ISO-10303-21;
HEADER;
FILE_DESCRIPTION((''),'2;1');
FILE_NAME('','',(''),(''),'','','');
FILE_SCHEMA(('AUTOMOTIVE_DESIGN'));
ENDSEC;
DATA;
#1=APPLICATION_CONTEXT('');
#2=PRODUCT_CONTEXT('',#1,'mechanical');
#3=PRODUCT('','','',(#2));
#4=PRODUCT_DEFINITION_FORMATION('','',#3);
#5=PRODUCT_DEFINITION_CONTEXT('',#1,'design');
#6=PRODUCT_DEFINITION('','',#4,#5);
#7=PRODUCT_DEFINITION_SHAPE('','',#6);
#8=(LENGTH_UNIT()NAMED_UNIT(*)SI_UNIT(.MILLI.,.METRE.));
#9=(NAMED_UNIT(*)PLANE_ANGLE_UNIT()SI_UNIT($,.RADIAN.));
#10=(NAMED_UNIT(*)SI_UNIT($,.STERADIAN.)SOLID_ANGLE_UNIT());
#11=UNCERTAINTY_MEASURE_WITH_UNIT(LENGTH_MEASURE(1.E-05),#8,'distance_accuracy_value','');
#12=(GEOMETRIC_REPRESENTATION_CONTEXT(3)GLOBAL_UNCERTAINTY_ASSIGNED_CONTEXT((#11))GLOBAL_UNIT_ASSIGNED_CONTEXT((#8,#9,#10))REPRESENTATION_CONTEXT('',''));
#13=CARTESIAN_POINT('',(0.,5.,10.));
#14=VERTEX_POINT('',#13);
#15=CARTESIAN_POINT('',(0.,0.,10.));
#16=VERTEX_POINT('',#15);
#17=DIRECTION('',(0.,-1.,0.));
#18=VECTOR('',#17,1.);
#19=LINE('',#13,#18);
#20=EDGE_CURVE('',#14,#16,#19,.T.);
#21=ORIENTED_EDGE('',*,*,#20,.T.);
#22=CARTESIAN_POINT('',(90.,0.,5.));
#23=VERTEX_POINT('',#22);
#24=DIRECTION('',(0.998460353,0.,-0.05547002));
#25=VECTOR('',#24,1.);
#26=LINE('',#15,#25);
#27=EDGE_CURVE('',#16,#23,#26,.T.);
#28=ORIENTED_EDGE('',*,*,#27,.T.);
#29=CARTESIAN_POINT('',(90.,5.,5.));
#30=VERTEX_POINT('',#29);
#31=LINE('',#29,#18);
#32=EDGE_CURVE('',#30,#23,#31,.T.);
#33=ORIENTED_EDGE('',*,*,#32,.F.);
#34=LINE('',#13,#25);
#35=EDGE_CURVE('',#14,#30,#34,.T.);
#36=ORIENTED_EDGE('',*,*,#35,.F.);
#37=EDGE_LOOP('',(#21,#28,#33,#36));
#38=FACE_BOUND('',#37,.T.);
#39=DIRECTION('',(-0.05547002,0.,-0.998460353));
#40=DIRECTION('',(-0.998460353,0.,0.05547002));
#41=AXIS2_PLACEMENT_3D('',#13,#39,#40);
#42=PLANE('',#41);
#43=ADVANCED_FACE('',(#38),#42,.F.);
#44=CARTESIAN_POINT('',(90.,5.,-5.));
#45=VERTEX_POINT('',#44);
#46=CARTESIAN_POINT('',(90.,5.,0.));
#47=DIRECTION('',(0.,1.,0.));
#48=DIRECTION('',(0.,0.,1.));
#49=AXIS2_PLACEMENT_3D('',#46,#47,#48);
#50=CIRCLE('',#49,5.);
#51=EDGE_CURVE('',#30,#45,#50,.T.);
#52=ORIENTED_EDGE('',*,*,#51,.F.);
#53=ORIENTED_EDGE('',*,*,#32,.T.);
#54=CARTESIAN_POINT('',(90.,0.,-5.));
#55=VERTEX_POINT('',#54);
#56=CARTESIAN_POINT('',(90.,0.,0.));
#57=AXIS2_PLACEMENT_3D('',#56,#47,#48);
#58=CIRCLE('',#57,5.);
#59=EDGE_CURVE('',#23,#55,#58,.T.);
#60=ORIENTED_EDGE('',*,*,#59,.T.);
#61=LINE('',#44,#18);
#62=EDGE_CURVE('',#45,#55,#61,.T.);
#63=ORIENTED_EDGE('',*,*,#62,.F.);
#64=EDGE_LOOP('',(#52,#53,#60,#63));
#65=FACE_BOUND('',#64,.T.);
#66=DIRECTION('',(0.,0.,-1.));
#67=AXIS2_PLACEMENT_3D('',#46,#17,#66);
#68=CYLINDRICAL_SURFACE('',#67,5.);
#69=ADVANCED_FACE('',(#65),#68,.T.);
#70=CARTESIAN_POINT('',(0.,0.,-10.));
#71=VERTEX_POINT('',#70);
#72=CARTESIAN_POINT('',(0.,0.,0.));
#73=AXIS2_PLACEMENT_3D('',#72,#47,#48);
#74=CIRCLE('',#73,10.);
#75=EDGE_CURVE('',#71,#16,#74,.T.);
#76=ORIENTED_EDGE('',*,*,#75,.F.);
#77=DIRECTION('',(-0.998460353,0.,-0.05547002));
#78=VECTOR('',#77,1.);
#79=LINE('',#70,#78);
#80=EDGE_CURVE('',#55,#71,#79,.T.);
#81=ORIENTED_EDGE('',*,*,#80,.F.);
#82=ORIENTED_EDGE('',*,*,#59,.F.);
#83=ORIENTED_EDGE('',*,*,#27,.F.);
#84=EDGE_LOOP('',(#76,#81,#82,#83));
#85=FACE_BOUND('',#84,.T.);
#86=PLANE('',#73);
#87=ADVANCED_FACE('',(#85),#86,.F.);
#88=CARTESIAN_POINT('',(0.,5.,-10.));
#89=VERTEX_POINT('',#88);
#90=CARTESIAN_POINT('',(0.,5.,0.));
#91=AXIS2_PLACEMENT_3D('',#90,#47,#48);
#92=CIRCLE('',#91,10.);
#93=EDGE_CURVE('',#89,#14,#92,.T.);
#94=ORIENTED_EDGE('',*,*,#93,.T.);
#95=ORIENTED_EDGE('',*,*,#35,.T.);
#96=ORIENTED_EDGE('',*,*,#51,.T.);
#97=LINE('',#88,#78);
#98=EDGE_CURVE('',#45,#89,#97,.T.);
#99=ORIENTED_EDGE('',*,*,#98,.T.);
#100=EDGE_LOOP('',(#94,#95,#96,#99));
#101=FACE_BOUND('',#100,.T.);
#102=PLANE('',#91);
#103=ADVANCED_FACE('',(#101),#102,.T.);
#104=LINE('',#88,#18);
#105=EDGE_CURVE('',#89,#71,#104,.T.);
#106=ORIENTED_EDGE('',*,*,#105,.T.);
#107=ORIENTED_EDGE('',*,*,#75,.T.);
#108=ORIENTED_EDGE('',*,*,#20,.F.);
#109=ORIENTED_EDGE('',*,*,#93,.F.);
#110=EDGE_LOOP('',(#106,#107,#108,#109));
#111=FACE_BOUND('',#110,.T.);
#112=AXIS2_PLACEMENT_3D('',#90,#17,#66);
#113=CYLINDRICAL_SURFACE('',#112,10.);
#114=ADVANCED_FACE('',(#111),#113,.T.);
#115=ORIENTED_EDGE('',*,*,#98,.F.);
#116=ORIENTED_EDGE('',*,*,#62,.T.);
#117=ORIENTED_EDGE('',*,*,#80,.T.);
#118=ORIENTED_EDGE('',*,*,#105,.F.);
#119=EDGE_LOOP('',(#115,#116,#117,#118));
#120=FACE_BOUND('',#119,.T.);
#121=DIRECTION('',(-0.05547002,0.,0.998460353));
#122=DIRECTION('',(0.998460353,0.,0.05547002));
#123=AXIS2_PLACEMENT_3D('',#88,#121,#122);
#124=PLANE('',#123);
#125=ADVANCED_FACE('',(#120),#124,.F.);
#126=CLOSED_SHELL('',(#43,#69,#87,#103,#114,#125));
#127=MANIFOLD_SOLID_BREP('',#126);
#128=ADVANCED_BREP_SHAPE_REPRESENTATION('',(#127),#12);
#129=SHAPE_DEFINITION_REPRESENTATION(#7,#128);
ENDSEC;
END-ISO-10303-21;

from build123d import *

# Parameters (mm, degrees)
BOSS_EXTRUDE1_DEPTH = 5


with BuildPart() as part:
    # Sketch1 → Boss-Extrude1 (new body)
    with BuildSketch(Plane(origin=(0, 0, 0), x_dir=(1, 0, 0), z_dir=(0, 1, 0))):
        with BuildLine():
            Line((0, 10), (90, 5))
            ThreePointArc((90, 5), (95, 0), (90, -5))
            Line((90, -5), (0, -10))
            ThreePointArc((0, -10), (-10, 0), (0, 10))
        make_face()
    extrude(amount=BOSS_EXTRUDE1_DEPTH)


solid = part.part
